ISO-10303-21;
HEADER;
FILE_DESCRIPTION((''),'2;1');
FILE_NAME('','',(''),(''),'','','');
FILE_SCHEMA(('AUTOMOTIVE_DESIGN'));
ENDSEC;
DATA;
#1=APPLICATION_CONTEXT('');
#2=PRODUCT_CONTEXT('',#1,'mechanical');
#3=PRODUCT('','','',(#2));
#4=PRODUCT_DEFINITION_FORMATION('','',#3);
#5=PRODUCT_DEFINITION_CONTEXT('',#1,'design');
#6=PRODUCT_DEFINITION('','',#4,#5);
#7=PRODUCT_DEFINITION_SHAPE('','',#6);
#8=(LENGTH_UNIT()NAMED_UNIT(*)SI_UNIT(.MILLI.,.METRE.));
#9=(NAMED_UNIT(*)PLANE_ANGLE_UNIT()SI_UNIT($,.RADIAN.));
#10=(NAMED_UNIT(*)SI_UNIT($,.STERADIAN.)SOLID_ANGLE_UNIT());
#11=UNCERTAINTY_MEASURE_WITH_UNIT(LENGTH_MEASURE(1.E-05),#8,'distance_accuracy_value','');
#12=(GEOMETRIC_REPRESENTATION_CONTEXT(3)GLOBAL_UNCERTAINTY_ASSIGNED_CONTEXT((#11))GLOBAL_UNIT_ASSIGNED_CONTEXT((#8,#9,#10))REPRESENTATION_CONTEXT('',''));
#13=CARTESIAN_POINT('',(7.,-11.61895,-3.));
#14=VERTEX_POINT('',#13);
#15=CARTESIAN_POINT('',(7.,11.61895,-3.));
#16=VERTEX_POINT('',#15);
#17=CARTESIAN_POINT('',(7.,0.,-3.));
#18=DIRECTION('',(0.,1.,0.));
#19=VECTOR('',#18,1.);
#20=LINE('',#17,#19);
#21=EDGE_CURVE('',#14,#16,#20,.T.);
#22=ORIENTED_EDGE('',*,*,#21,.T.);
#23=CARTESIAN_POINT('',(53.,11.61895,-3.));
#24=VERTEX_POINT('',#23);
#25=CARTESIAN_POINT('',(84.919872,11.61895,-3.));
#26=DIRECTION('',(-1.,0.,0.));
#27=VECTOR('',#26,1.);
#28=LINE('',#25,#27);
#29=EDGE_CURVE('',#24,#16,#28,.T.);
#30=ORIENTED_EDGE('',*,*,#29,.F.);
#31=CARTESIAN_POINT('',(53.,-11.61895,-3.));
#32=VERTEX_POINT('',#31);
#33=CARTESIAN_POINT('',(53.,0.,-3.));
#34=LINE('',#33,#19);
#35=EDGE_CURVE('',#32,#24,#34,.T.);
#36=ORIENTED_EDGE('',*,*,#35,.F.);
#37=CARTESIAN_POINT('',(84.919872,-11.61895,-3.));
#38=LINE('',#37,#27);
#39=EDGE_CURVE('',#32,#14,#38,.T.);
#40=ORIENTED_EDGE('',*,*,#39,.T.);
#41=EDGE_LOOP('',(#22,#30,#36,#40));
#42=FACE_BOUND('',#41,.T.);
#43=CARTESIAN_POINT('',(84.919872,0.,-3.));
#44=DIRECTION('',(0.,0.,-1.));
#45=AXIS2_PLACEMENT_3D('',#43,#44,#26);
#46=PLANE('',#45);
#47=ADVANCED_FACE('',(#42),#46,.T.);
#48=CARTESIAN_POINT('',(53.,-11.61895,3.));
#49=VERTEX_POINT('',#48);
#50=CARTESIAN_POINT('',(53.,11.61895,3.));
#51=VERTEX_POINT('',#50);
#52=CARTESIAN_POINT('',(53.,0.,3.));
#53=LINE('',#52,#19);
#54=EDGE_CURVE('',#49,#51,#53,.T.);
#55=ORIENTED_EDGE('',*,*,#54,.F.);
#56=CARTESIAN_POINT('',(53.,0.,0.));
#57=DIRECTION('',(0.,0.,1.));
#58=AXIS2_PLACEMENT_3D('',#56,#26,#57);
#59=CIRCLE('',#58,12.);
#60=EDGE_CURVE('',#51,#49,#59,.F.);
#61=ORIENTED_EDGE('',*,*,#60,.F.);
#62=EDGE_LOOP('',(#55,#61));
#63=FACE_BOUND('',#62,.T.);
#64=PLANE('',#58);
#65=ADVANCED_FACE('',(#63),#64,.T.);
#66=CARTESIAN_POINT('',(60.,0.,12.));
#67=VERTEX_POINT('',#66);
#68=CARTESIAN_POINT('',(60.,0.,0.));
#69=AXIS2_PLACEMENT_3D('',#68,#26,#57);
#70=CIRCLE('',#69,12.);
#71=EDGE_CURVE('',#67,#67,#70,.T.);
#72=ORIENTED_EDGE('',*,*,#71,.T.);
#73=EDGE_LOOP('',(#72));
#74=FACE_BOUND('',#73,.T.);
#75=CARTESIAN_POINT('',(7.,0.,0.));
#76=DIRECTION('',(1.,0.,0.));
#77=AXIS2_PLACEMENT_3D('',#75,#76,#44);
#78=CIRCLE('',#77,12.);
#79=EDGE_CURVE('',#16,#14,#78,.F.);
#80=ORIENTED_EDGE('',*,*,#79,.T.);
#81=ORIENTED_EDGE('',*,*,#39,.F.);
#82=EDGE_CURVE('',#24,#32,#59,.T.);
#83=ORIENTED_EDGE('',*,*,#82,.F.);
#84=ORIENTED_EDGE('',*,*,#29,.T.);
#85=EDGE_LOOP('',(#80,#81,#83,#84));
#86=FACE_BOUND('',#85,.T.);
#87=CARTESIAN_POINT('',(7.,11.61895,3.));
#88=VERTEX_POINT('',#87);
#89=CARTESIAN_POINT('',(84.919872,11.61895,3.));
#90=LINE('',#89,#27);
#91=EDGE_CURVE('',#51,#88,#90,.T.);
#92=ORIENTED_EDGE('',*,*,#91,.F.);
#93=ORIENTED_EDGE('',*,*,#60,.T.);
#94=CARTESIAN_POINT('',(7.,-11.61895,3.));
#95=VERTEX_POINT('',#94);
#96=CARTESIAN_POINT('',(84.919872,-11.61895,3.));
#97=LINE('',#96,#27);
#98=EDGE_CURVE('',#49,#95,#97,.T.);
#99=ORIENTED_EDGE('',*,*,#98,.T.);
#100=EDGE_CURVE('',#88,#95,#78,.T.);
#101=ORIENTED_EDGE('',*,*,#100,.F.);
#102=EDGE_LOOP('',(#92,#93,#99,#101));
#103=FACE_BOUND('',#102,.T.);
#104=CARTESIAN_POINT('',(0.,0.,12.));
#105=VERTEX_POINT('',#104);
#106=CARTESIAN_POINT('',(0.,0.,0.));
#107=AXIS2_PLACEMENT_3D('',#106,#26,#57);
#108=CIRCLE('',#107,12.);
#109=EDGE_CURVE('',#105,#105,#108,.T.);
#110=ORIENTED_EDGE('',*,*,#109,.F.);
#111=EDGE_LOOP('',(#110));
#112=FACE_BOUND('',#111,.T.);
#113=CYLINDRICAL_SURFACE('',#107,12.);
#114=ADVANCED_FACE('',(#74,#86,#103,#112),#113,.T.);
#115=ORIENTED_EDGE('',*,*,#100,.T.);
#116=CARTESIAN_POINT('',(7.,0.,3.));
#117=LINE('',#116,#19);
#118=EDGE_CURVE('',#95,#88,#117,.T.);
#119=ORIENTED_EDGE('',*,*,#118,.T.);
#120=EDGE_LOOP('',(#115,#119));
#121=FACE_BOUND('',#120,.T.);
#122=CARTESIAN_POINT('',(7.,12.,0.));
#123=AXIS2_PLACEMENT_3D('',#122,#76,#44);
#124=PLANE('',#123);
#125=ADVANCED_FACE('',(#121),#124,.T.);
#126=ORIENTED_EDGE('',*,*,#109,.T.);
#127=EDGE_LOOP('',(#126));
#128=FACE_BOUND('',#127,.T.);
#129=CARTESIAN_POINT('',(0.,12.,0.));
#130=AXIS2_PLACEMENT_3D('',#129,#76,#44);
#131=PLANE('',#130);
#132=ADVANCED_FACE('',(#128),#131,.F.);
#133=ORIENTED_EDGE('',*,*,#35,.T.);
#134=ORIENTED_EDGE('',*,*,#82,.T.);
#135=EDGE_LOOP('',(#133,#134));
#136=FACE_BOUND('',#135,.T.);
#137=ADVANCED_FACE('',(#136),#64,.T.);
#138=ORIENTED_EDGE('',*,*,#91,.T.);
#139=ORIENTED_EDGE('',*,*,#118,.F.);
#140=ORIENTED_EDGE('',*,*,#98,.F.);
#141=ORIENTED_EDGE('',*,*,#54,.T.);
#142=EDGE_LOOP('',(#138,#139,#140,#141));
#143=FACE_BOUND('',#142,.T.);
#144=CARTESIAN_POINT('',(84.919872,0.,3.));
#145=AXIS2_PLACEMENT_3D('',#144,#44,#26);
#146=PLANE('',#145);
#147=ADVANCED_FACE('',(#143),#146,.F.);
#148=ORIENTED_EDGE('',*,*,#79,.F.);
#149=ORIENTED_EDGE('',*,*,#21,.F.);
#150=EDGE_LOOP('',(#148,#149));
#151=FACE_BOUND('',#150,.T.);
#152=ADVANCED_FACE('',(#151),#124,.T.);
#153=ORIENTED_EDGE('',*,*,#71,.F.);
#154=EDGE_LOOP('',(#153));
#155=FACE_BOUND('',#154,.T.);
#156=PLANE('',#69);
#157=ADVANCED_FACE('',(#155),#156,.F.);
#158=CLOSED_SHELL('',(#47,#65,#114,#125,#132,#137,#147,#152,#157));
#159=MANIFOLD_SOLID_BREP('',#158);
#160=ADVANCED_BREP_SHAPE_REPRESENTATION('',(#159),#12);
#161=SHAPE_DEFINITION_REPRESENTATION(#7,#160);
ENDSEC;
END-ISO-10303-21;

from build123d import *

# Parameters (mm, degrees)
SKETCH_1_W          = 60
SKETCH_1_H          = 12
CUT_EXTRUDE_2_DEPTH = 23


with BuildPart() as part:
    # Эскиз1 → Повернуть1 (revolve)
    with BuildSketch(Plane.XY, mode=Mode.PRIVATE) as revolve_1_sk:
        with Locations((30, 6)):
            Rectangle(SKETCH_1_W, SKETCH_1_H)
    revolve(revolve_1_sk.sketch.rotate(Axis((0, 0, 0), (1, 0, 0)), 90), axis=Axis((0, 0, 0), (1, 0, 0)))

    # Эскиз2 → Вырез-Вытянуть2 (cut, symmetric)
    with BuildSketch(Plane.ZY.offset(-30)):
        Polygon((3, 77.578035125), (3, 11.618950039), (3, -11.618950039), (3, -77.578035125), (134.918170173, -77.578035125), (134.918170173, 77.578035125), align=None)
    cut_extrude_2 = extrude(amount=CUT_EXTRUDE_2_DEPTH, both=True, mode=Mode.SUBTRACT)

    # Зеркальное отражение1: Вырез-Вытянуть2 across plane
    add(cut_extrude_2.mirror(Plane.XY), mode=Mode.SUBTRACT)


solid = part.part
